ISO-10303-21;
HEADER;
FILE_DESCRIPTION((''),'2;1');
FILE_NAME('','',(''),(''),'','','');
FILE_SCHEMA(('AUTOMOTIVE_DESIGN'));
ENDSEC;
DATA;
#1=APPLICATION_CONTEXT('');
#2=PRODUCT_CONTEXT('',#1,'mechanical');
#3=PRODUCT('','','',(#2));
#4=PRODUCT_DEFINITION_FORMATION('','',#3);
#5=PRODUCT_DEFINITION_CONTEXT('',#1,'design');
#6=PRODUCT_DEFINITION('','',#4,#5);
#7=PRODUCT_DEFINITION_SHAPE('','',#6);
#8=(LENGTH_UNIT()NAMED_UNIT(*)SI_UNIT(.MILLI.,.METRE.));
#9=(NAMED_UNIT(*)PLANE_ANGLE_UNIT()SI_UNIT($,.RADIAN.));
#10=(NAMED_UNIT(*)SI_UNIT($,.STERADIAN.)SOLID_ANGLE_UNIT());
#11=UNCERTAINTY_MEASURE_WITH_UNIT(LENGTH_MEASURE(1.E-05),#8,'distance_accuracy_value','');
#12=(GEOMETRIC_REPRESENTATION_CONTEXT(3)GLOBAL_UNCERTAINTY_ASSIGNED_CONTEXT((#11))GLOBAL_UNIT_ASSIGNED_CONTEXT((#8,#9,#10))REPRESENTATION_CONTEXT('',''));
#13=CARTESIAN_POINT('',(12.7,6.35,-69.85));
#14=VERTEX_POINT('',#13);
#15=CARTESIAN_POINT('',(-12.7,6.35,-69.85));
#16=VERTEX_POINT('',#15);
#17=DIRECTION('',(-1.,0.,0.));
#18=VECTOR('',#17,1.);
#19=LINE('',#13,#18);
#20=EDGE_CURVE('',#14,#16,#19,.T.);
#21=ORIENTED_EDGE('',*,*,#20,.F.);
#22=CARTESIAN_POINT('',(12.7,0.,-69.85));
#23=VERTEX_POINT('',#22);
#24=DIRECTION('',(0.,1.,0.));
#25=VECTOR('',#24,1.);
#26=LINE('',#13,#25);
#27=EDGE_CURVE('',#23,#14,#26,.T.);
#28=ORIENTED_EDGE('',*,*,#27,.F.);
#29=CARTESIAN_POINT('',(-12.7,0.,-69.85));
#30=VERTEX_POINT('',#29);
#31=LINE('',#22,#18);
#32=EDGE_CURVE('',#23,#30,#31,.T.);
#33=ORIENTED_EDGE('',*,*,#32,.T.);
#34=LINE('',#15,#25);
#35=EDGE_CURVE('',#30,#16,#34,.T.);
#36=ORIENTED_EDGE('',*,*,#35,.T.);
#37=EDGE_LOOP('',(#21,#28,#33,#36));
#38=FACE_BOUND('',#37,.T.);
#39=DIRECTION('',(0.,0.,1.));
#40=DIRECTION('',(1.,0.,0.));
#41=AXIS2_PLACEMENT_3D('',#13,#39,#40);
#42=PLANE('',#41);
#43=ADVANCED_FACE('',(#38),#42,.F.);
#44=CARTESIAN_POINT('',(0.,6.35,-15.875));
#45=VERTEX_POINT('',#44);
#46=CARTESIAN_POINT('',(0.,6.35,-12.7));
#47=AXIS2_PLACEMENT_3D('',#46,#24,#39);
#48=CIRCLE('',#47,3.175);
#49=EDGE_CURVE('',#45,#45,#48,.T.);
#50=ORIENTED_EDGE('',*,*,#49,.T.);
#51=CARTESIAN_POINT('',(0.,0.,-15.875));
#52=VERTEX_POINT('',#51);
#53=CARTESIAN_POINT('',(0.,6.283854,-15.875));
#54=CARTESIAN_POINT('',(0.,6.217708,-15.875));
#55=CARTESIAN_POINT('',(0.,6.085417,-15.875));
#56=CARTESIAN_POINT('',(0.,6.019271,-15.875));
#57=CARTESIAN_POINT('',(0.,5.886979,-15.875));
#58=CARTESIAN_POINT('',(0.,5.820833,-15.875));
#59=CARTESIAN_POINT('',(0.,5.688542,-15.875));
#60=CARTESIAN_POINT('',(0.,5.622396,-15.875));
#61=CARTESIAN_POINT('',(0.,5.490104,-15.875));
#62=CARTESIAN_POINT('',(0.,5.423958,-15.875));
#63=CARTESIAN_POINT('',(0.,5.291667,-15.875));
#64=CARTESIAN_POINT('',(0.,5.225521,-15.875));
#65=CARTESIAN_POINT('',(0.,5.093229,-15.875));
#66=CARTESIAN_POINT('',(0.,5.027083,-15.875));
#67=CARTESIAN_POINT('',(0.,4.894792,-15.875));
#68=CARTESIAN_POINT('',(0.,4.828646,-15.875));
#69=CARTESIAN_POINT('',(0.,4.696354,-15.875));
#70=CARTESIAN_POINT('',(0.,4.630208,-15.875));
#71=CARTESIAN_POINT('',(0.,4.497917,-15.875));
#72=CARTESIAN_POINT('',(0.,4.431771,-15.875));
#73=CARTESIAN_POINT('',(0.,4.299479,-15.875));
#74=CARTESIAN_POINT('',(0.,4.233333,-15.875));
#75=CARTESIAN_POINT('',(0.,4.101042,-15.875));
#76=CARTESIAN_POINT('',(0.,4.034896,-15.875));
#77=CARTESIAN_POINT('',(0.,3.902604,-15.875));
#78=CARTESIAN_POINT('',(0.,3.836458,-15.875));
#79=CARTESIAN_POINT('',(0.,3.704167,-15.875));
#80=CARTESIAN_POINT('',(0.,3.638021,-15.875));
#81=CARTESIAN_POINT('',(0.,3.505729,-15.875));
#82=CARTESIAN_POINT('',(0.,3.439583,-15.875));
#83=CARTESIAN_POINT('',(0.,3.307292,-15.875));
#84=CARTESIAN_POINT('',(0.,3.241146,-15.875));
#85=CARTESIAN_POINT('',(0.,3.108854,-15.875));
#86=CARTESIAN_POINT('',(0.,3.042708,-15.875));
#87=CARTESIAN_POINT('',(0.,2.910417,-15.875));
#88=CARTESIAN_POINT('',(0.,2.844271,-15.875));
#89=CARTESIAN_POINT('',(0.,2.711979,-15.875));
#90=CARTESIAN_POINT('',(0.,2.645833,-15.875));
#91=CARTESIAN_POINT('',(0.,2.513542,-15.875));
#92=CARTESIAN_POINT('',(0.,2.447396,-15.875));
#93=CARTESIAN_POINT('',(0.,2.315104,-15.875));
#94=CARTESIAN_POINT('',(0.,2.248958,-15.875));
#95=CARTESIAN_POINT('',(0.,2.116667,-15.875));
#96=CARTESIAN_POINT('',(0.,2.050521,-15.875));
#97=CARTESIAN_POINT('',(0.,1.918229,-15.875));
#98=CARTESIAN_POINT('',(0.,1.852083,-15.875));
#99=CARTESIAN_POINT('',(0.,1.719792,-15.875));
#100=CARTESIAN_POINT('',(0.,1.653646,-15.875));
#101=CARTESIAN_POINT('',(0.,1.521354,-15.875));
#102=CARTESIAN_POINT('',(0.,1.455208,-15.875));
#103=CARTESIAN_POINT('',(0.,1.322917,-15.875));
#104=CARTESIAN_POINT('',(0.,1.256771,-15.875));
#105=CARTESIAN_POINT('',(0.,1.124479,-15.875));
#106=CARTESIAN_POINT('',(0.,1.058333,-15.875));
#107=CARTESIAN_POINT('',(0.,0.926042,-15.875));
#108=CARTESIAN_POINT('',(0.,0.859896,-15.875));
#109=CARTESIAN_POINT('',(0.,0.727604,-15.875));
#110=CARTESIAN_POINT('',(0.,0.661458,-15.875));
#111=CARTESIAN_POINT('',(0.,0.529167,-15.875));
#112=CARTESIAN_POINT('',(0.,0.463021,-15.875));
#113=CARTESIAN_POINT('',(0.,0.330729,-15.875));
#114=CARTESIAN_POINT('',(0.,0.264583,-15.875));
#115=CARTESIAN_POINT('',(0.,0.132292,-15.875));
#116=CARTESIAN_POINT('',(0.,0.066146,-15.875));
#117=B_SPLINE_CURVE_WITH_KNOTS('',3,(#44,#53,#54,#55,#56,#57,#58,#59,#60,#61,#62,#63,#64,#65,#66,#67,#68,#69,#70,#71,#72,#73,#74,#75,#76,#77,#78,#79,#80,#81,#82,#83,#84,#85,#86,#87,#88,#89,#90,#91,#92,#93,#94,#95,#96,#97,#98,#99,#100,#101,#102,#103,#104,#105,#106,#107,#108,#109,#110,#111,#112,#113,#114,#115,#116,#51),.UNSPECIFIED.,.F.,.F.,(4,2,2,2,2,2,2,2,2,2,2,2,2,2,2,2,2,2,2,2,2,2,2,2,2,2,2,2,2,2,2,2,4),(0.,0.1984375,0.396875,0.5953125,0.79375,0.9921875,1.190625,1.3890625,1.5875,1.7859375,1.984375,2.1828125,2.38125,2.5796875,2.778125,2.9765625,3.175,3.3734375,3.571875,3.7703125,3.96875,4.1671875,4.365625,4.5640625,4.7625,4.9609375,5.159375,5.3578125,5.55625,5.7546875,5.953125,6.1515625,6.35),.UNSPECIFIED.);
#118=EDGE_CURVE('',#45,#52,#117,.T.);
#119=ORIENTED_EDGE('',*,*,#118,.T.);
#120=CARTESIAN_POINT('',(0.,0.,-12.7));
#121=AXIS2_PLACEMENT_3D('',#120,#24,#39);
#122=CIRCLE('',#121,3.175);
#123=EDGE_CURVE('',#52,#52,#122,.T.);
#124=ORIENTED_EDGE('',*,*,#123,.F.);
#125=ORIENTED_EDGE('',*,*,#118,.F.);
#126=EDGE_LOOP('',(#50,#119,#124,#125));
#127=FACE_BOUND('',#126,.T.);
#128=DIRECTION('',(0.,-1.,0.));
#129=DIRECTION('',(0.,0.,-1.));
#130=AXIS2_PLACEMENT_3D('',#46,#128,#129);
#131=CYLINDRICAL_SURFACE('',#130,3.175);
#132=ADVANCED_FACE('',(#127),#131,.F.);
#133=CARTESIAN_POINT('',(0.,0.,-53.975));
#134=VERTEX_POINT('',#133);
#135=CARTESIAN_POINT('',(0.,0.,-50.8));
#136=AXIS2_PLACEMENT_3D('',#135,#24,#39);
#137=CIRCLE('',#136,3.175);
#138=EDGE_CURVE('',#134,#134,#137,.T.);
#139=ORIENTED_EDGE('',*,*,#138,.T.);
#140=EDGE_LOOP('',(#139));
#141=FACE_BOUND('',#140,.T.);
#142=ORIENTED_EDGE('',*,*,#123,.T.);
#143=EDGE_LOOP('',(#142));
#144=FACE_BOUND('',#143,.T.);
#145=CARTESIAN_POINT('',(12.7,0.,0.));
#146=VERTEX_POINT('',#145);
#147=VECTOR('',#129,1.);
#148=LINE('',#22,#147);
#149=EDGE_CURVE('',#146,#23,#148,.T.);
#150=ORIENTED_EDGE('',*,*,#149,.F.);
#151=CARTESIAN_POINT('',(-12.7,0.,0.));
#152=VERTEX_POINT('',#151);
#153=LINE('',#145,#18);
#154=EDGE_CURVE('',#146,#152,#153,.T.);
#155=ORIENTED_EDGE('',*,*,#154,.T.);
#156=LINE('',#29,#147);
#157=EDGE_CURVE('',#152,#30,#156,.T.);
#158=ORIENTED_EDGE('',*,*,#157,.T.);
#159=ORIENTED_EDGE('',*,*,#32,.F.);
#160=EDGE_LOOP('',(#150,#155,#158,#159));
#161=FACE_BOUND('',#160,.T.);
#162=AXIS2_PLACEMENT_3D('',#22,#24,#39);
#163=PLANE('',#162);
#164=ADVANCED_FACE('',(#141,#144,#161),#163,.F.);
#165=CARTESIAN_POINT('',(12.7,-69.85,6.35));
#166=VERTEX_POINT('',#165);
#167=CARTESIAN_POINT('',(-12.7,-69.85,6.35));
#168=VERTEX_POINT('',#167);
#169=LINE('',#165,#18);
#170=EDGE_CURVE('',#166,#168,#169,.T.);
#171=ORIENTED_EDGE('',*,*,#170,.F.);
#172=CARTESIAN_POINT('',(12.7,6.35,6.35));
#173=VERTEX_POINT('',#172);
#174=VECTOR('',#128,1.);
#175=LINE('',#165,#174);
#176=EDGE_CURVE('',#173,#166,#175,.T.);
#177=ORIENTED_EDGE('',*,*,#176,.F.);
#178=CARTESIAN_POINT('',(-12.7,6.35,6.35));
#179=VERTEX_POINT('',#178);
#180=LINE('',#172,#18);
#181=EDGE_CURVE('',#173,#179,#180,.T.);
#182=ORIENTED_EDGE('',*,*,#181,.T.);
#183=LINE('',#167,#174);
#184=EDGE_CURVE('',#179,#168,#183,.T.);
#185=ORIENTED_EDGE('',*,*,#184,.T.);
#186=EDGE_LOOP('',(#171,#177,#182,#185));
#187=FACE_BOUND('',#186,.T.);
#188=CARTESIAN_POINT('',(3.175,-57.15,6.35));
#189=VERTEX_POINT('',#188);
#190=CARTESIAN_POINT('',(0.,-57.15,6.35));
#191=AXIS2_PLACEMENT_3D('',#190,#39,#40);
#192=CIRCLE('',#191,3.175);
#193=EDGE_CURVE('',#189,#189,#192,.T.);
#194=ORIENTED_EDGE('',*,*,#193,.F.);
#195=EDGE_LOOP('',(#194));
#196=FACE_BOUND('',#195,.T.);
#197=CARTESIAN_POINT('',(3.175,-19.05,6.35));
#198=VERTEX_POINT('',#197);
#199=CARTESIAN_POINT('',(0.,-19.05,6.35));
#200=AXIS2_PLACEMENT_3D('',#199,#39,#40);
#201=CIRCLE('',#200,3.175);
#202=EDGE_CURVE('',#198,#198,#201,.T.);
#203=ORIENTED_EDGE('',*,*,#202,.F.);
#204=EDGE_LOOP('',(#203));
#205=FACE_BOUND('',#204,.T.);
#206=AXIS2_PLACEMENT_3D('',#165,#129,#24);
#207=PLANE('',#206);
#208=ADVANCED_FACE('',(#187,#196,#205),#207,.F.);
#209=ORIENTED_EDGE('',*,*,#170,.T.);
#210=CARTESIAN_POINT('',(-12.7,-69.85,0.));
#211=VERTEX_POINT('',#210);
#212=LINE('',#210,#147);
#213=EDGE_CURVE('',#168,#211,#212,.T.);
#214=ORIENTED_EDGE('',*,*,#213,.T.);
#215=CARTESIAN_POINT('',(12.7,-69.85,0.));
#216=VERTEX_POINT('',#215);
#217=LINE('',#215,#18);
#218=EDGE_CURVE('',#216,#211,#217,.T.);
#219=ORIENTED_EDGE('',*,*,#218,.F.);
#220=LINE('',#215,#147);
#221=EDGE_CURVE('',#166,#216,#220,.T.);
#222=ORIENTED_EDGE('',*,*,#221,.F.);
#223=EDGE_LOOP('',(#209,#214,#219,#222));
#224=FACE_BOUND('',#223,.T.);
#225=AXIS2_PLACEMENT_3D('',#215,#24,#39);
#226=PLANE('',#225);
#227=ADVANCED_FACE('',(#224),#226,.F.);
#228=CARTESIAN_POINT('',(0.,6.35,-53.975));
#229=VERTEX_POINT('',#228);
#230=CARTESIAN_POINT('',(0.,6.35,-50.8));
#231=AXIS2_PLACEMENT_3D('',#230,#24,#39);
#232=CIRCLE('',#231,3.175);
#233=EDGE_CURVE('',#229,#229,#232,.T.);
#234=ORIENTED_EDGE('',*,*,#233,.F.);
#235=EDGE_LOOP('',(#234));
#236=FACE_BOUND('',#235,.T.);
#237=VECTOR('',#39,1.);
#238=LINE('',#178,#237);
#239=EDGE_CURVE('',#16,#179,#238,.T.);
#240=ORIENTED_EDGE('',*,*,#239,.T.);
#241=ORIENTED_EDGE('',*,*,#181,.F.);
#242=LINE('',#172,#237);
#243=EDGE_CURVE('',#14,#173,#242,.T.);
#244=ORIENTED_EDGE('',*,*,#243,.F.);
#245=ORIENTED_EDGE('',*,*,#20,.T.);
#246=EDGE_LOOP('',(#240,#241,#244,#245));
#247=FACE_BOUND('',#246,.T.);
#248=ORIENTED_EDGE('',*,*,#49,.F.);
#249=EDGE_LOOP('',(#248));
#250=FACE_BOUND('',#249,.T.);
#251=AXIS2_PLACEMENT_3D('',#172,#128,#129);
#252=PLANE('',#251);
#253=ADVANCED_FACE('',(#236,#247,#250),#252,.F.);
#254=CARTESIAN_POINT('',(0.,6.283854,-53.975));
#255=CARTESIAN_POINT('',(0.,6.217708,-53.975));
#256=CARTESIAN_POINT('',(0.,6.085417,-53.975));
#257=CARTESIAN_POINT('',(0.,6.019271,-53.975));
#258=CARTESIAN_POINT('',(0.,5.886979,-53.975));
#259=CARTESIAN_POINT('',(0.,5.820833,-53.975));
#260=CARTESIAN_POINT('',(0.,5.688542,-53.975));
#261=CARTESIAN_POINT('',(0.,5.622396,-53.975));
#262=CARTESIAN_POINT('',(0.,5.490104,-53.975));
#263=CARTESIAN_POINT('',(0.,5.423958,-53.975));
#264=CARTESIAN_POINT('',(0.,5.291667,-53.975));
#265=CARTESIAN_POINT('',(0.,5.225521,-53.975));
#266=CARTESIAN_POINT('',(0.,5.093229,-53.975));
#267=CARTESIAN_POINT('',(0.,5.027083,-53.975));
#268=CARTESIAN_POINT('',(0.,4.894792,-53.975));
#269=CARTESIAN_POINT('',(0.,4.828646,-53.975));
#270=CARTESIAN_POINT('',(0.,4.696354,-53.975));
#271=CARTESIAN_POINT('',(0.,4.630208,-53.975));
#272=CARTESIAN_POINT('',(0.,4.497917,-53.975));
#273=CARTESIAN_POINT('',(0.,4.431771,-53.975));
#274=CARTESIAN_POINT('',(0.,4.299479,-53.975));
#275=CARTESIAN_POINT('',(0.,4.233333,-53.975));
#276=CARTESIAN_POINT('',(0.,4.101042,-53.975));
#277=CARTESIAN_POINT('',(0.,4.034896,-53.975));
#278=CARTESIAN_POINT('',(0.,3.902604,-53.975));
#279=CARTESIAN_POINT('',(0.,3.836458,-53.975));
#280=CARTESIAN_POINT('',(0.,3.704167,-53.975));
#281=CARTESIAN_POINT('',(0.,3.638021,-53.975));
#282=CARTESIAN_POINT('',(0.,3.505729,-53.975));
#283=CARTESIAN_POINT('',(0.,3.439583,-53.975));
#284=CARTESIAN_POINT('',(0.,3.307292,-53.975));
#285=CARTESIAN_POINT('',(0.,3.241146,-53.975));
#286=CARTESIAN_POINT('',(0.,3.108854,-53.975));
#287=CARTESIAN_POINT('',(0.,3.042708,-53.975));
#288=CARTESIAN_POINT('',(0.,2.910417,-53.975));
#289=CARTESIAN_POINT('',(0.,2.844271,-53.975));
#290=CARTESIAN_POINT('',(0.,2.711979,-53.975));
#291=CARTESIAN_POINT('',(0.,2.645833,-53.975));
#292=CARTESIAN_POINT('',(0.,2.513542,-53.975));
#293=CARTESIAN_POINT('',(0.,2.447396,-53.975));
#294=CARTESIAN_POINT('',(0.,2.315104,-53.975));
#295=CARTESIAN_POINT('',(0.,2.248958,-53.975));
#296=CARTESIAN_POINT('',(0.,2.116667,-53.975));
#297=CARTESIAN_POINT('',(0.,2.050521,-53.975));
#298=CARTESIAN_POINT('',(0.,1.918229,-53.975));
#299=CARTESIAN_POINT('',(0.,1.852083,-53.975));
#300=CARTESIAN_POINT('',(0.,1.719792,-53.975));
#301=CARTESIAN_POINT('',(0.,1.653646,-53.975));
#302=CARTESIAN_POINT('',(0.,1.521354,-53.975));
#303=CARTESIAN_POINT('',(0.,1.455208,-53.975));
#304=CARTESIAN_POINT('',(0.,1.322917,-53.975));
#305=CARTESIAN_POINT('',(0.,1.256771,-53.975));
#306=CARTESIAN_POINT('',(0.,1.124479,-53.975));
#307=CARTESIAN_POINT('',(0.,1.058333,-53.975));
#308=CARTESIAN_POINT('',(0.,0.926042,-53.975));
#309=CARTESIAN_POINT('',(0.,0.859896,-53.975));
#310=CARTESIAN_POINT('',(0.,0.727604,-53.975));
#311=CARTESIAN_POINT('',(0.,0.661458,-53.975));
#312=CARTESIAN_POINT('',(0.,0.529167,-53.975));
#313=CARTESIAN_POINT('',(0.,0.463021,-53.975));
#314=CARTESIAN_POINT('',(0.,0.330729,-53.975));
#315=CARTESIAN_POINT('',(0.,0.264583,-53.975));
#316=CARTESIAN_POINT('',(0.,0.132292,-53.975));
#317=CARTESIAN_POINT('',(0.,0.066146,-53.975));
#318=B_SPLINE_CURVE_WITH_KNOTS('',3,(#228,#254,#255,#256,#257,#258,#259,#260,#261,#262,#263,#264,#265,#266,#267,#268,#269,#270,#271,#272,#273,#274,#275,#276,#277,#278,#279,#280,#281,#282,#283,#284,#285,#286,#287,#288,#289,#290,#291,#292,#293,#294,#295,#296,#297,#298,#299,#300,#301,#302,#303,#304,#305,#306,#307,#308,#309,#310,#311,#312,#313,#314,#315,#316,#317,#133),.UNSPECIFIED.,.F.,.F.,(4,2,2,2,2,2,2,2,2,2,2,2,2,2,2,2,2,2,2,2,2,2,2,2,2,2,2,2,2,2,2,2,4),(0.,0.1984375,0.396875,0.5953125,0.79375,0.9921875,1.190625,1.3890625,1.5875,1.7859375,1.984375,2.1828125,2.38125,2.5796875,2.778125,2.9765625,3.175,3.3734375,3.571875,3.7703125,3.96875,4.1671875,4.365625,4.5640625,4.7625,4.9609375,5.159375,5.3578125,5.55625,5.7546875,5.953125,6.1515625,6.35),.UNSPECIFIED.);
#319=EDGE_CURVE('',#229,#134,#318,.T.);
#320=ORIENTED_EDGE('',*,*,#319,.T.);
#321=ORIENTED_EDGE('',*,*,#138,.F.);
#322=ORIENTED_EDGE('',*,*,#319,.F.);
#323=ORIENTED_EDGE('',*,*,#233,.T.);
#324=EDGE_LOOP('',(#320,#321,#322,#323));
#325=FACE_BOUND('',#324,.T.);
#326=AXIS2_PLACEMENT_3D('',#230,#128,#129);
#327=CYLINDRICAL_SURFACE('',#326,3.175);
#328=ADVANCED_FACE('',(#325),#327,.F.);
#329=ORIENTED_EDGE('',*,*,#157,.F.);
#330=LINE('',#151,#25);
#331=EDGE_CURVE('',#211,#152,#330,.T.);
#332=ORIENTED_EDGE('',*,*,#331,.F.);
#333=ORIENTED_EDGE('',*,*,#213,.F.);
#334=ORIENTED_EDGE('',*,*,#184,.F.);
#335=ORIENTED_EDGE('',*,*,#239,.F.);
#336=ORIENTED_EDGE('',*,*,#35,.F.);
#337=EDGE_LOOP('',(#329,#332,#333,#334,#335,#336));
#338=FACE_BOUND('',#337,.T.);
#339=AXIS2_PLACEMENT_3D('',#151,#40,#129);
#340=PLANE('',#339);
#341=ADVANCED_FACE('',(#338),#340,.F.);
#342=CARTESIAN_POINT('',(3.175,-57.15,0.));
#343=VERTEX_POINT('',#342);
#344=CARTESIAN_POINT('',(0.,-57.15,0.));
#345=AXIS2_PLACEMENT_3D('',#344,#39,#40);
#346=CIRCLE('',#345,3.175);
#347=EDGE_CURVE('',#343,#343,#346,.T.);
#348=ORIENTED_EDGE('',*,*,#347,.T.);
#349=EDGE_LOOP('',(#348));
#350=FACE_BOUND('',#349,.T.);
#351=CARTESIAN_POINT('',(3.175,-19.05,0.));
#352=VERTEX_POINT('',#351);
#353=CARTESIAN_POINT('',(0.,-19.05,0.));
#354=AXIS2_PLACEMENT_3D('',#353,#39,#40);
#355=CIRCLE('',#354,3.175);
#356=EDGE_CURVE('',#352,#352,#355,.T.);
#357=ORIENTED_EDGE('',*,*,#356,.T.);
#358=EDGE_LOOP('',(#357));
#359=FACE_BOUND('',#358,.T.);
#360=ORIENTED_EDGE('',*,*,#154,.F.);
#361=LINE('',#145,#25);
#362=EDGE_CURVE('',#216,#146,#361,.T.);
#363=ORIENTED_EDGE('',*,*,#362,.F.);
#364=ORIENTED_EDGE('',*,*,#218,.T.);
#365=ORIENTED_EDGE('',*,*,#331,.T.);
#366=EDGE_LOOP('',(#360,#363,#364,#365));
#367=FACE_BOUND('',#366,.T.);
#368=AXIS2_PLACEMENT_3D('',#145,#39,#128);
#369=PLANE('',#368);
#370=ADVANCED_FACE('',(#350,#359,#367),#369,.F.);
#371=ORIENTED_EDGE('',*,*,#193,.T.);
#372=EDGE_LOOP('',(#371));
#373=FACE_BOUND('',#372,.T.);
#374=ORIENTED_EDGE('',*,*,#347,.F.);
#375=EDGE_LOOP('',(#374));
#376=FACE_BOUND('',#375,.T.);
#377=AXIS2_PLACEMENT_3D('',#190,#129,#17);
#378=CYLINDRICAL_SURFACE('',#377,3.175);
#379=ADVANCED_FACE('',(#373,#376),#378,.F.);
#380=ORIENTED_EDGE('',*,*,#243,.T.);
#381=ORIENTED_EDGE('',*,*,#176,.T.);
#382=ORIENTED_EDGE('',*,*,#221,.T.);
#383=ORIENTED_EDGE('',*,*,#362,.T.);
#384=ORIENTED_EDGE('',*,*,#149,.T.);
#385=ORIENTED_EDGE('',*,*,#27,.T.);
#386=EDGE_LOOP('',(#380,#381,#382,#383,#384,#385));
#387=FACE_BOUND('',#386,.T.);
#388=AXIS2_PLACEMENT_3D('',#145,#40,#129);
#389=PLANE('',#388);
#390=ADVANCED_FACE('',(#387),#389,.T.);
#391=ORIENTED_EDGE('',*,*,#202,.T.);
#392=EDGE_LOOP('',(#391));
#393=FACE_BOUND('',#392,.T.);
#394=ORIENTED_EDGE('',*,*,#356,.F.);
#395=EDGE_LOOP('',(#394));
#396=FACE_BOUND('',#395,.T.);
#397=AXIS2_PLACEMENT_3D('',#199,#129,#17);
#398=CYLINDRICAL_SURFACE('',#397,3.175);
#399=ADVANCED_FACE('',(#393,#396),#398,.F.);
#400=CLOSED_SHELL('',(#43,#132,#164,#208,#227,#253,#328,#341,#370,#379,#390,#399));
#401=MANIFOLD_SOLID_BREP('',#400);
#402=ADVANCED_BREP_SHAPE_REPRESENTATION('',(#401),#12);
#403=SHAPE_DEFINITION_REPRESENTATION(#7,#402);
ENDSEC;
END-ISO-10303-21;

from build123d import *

# Parameters (mm, degrees)
BOSS_EXTRUDE1_DEPTH = 12.7
SKETCH2_R           = 3.175
CUT_EXTRUDE1_DEPTH  = 100.595858348
SKETCH3_R           = 3.175
CUT_EXTRUDE2_DEPTH  = 100.595858348


with BuildPart() as part:
    # Sketch1 → Boss-Extrude1 (new, symmetric)
    with BuildSketch(Plane(origin=(0, 0, 0), x_dir=(0, 0, -1), z_dir=(1, 0, 0))):
        Polygon((0, 0), (0, -69.85), (-6.35, -69.85), (-6.35, 6.35), (69.85, 6.35), (69.85, 0), align=None)
    extrude(amount=BOSS_EXTRUDE1_DEPTH, both=True)

    # Sketch2 → Cut-Extrude1 (cut, through all)
    with BuildSketch(Plane(origin=(0, 0, 0), x_dir=(1, 0, 0), z_dir=(0, 1, 0))):
        with Locations(Location((0, 50.8, 0), (0, 0, 90))):
            Circle(SKETCH2_R)
        with Locations(Location((0, 12.7, 0), (0, 0, 90))):
            Circle(SKETCH2_R)
    extrude(amount=CUT_EXTRUDE1_DEPTH, mode=Mode.SUBTRACT)

    # Sketch3 → Cut-Extrude2 (cut, through all)
    with BuildSketch(Plane.XY):
        with Locations((0, -57.15)):
            Circle(SKETCH3_R)
        with Locations((0, -19.05)):
            Circle(SKETCH3_R)
    extrude(amount=CUT_EXTRUDE2_DEPTH, mode=Mode.SUBTRACT)


solid = part.part
